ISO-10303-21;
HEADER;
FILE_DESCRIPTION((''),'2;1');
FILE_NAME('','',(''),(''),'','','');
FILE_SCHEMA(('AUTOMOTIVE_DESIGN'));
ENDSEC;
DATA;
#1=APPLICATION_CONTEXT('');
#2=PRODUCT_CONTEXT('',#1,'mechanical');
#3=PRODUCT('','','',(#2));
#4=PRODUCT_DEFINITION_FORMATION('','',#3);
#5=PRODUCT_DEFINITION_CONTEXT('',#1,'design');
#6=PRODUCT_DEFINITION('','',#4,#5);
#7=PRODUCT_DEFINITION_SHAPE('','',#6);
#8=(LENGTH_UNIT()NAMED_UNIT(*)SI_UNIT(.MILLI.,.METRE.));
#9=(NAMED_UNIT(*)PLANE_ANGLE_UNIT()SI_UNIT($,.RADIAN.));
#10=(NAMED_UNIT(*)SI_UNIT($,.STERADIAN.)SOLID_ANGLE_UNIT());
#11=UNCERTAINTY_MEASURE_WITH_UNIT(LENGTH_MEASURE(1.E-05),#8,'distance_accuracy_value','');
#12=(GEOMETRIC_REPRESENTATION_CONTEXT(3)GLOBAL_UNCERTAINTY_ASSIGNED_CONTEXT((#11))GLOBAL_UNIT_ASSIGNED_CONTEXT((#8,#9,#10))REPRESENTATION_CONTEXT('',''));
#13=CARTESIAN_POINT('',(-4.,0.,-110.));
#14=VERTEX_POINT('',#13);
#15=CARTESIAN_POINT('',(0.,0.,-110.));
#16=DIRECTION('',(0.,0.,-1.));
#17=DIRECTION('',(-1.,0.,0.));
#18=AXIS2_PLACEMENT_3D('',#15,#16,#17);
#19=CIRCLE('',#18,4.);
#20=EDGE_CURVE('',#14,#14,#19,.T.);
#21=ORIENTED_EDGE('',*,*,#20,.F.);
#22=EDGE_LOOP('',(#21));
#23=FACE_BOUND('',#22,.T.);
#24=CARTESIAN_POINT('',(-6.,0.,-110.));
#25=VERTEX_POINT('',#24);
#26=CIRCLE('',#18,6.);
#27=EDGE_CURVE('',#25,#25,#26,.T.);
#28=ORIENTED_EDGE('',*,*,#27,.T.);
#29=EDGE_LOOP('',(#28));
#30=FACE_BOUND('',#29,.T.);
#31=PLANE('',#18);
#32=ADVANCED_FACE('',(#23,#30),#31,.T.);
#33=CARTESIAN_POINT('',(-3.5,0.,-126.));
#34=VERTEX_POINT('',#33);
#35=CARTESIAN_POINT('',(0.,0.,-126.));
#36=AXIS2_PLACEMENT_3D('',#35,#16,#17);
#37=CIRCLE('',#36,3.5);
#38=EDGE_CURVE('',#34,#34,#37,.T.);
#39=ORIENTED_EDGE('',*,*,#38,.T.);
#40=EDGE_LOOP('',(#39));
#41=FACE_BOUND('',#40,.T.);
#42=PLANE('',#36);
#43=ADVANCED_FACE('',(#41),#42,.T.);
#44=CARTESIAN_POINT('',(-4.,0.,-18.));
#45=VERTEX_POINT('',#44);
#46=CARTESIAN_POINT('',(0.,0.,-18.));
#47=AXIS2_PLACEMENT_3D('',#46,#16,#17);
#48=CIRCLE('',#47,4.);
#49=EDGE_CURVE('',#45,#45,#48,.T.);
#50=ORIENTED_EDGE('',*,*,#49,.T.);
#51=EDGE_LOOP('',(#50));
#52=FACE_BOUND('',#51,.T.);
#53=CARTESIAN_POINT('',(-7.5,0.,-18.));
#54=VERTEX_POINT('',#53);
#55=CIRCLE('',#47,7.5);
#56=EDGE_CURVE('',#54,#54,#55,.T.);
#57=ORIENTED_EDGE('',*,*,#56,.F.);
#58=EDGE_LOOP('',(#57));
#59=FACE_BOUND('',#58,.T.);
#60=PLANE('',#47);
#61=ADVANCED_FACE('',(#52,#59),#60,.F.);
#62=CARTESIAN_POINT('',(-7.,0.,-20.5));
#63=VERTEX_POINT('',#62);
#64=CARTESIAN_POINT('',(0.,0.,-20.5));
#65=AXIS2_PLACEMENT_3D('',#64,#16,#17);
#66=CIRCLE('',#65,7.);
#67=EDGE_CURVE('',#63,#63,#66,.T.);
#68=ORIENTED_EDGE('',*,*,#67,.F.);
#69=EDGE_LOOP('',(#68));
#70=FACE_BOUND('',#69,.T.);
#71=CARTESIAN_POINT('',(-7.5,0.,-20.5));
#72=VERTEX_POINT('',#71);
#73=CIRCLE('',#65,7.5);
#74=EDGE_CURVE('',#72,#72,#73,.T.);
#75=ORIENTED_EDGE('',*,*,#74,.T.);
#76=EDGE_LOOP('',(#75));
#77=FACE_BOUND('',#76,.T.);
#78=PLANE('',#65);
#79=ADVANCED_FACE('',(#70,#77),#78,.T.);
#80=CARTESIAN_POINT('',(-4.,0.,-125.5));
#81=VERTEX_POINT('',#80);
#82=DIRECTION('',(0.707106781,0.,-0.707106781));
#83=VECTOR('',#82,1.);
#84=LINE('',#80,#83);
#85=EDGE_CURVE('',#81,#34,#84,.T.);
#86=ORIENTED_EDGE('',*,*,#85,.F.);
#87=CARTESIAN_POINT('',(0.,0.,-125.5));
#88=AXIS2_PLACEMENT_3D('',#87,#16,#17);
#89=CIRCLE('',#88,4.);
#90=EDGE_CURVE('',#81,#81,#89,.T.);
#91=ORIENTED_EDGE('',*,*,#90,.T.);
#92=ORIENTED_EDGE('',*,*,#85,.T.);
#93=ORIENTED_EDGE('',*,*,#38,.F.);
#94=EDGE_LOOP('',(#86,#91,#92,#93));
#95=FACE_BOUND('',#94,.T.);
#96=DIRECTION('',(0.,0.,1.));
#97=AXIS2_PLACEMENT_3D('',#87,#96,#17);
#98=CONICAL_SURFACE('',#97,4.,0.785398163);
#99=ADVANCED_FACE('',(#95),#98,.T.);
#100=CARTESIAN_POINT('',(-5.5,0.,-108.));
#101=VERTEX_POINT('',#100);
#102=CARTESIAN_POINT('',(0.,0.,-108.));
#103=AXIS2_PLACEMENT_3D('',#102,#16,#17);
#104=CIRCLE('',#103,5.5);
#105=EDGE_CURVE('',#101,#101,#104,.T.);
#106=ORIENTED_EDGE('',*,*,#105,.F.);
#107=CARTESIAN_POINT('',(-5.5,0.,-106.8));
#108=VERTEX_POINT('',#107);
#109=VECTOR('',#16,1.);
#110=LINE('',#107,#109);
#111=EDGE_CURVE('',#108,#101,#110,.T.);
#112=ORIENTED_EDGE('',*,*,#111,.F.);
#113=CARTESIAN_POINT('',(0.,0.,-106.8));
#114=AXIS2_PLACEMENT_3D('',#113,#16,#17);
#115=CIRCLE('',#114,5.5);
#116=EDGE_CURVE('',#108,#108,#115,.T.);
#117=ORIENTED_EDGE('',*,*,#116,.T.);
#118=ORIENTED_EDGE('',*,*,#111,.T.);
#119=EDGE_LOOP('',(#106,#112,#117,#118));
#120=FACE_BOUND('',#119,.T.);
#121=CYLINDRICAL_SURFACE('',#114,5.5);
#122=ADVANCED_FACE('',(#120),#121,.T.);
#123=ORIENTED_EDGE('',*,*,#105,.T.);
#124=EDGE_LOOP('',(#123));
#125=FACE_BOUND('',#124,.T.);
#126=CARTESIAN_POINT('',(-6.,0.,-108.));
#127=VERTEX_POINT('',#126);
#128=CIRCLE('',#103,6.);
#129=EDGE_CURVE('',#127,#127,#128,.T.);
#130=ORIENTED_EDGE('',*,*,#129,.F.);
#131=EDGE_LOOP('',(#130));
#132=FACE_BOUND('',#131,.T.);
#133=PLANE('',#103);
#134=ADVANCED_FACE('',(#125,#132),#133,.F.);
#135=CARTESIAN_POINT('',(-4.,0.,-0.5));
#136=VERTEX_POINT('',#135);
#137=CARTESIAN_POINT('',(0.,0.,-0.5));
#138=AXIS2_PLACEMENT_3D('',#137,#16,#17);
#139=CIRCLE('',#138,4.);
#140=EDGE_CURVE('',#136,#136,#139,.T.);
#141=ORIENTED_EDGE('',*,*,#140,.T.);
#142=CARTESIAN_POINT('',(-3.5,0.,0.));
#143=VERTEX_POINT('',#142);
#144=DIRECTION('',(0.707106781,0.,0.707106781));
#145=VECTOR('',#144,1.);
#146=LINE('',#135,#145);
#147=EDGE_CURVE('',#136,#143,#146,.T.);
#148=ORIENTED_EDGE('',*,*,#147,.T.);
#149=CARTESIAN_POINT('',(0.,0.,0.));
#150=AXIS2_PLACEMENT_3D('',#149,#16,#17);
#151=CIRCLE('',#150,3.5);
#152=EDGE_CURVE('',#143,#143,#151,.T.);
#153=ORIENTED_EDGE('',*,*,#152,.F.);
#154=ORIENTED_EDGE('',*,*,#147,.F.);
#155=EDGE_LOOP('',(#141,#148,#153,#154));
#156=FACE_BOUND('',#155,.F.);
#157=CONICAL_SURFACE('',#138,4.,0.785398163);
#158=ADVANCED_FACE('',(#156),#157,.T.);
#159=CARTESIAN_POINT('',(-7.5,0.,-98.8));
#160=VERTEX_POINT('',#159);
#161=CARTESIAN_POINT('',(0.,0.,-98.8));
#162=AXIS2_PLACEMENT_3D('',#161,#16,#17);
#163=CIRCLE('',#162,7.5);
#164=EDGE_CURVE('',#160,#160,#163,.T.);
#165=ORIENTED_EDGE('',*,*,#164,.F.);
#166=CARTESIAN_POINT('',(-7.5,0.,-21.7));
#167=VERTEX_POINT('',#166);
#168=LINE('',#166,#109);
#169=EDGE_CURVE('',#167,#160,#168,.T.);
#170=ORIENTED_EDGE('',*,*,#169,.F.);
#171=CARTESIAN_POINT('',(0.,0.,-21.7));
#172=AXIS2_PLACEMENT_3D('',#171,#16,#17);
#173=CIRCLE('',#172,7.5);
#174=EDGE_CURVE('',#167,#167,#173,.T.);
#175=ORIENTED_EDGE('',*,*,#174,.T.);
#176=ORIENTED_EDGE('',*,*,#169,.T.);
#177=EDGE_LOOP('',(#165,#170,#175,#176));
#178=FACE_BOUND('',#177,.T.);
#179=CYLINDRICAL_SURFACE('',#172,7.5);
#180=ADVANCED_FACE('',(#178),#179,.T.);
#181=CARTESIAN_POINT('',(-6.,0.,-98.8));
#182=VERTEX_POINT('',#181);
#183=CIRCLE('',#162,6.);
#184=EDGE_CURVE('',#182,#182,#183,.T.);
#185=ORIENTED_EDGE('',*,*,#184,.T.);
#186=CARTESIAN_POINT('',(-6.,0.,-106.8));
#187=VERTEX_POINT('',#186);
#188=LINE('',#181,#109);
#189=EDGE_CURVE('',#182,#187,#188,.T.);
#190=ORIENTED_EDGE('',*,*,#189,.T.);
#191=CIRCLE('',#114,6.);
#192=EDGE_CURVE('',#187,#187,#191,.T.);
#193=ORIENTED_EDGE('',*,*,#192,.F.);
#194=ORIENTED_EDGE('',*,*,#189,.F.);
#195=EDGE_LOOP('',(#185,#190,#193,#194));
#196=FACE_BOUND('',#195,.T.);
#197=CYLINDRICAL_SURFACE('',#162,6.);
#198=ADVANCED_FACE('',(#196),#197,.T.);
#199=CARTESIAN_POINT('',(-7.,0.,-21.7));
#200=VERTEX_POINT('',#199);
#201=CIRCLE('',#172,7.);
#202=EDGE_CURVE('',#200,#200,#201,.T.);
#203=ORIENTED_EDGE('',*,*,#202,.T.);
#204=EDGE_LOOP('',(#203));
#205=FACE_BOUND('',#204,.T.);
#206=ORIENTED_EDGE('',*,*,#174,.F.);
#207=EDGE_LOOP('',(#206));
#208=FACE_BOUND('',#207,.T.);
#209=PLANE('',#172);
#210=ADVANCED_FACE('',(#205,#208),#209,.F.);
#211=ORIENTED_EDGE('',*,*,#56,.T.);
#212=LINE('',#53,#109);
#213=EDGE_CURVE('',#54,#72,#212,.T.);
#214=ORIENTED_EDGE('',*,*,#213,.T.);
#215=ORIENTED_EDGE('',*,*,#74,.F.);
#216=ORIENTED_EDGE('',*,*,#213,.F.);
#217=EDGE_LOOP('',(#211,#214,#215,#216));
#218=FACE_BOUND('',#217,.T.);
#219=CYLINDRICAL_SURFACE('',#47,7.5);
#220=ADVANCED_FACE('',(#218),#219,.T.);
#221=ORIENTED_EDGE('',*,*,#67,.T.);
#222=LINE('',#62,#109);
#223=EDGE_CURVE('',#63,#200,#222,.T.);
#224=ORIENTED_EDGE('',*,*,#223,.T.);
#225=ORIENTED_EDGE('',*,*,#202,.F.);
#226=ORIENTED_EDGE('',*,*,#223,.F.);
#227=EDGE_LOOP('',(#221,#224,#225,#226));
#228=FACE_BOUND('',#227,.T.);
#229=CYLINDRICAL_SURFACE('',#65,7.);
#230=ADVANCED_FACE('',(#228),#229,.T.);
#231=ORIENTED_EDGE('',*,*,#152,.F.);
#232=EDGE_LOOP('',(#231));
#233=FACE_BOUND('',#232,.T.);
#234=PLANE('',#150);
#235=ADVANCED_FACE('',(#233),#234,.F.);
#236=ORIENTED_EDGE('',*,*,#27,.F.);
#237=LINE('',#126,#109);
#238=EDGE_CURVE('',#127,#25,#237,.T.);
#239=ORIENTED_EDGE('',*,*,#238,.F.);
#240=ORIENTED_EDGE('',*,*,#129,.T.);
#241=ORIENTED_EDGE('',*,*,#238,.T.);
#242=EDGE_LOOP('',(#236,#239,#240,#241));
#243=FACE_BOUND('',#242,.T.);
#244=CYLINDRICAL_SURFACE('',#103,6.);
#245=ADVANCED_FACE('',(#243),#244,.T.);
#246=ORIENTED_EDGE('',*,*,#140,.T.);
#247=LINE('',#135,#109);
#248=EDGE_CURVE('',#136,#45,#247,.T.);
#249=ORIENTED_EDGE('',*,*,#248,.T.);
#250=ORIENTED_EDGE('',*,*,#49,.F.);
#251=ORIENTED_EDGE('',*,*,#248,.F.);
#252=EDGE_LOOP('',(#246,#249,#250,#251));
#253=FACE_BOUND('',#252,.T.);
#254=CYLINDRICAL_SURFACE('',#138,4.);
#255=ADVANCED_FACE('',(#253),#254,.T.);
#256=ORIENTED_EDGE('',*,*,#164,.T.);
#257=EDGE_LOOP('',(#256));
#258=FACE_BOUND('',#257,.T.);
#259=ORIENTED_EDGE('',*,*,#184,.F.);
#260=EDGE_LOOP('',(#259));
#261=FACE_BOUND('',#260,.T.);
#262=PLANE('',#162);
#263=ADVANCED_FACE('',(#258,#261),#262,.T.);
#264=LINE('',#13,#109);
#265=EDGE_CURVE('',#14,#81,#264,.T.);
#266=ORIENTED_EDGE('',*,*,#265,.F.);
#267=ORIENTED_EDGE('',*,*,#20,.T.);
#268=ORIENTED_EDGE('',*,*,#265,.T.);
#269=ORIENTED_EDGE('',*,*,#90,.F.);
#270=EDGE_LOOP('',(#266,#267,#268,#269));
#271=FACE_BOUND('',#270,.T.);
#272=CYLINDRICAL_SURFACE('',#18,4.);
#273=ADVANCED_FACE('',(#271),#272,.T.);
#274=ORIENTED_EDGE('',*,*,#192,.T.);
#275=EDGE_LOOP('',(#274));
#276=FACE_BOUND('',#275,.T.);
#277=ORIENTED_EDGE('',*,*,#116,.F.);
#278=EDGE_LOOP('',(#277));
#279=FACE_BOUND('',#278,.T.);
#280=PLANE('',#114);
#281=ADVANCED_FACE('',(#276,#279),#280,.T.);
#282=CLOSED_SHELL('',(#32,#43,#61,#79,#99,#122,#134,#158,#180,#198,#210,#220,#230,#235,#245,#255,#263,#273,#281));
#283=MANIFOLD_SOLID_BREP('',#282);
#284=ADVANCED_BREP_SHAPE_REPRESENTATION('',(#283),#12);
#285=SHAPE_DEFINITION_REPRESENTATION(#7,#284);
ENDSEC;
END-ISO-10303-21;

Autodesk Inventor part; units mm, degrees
ref_plane "YZ Plane" through (0, 0, 0) normal (1, 0, 0) x (0, 1, 0)
ref_plane "XZ Plane" through (0, 0, 0) normal (0, 1, 0) x (-1, 0, 0)
ref_plane "XY Plane" through (0, 0, 0) normal (0, 0, 1) x (1, 0, 0)
sketch "Sketch1" plane through (0, 0, 0) normal (0, 1, 0) x (-1, 0, 0)
  line L0 (0, 0) -> (3.5, 0)
  line L1 (4, -0.5) -> (4, -18)
  line L2 (4, -18) -> (7.5, -18)
  line L3 (7.5, -18) -> (7.5, -20.5)
  line L4 (7.5, -20.5) -> (7, -20.5)
  line L5 (7, -20.5) -> (7, -21.7)
  line L6 (7, -21.7) -> (7.5, -21.7)
  line L7 (7.5, -21.7) -> (7.5, -98.8)
  line L8 (7.5, -98.8) -> (6, -98.8)
  line L9 (6, -98.8) -> (6, -106.8)
  line L10 (6, -106.8) -> (5.5, -106.8)
  line L11 (5.5, -106.8) -> (5.5, -108)
  line L12 (5.5, -108) -> (6, -108)
  line L13 (6, -108) -> (6, -110)
  line L14 (6, -110) -> (4, -110)
  line L15 (4, -110) -> (4, -125.5)
  line L16 (4, -125.5) -> (3.5, -126)
  line L17 (3.5, -126) -> (0, -126)
  line L18 (0, 0) -> (0, -126)
  line L19 (4, -0.5) -> (3.5, 0)
  point P0 (5.5, -107.4)
  point P1 (1.75, 0)
  point P2 (5.75, -18)
  point P3 (7.25, -21.7)
  dimension "d2" = 7.5
  dimension "d3" = 2.5
  dimension "d4" = 7.5
  dimension "d6" = 8
  dimension "d8" = 1.5
  dimension "d10" = 1.2
  dimension "d11" = 2
  dimension "d13" = 16
  dimension "d14" = 126
  dimension "d15" = 0.5
  dimension "d16" = 6
  dimension "d18" = 5.5
  dimension "d19" = 1.5
  dimension "d20" = 4
  dimension "d21" = 3.5
  dimension "d22" = 45
  dimension "d23" = 3.5
  dimension "d24" = 0.5
  dimension "d25" = 45
  dimension "d26" = 18
  dimension "d27" = 3.7
revolve "Revolution1" add sketch "Sketch1" angle 360 about axis through (0, 0, 0) along (0, 0, -1)
properties part number "59-01-002-A"
